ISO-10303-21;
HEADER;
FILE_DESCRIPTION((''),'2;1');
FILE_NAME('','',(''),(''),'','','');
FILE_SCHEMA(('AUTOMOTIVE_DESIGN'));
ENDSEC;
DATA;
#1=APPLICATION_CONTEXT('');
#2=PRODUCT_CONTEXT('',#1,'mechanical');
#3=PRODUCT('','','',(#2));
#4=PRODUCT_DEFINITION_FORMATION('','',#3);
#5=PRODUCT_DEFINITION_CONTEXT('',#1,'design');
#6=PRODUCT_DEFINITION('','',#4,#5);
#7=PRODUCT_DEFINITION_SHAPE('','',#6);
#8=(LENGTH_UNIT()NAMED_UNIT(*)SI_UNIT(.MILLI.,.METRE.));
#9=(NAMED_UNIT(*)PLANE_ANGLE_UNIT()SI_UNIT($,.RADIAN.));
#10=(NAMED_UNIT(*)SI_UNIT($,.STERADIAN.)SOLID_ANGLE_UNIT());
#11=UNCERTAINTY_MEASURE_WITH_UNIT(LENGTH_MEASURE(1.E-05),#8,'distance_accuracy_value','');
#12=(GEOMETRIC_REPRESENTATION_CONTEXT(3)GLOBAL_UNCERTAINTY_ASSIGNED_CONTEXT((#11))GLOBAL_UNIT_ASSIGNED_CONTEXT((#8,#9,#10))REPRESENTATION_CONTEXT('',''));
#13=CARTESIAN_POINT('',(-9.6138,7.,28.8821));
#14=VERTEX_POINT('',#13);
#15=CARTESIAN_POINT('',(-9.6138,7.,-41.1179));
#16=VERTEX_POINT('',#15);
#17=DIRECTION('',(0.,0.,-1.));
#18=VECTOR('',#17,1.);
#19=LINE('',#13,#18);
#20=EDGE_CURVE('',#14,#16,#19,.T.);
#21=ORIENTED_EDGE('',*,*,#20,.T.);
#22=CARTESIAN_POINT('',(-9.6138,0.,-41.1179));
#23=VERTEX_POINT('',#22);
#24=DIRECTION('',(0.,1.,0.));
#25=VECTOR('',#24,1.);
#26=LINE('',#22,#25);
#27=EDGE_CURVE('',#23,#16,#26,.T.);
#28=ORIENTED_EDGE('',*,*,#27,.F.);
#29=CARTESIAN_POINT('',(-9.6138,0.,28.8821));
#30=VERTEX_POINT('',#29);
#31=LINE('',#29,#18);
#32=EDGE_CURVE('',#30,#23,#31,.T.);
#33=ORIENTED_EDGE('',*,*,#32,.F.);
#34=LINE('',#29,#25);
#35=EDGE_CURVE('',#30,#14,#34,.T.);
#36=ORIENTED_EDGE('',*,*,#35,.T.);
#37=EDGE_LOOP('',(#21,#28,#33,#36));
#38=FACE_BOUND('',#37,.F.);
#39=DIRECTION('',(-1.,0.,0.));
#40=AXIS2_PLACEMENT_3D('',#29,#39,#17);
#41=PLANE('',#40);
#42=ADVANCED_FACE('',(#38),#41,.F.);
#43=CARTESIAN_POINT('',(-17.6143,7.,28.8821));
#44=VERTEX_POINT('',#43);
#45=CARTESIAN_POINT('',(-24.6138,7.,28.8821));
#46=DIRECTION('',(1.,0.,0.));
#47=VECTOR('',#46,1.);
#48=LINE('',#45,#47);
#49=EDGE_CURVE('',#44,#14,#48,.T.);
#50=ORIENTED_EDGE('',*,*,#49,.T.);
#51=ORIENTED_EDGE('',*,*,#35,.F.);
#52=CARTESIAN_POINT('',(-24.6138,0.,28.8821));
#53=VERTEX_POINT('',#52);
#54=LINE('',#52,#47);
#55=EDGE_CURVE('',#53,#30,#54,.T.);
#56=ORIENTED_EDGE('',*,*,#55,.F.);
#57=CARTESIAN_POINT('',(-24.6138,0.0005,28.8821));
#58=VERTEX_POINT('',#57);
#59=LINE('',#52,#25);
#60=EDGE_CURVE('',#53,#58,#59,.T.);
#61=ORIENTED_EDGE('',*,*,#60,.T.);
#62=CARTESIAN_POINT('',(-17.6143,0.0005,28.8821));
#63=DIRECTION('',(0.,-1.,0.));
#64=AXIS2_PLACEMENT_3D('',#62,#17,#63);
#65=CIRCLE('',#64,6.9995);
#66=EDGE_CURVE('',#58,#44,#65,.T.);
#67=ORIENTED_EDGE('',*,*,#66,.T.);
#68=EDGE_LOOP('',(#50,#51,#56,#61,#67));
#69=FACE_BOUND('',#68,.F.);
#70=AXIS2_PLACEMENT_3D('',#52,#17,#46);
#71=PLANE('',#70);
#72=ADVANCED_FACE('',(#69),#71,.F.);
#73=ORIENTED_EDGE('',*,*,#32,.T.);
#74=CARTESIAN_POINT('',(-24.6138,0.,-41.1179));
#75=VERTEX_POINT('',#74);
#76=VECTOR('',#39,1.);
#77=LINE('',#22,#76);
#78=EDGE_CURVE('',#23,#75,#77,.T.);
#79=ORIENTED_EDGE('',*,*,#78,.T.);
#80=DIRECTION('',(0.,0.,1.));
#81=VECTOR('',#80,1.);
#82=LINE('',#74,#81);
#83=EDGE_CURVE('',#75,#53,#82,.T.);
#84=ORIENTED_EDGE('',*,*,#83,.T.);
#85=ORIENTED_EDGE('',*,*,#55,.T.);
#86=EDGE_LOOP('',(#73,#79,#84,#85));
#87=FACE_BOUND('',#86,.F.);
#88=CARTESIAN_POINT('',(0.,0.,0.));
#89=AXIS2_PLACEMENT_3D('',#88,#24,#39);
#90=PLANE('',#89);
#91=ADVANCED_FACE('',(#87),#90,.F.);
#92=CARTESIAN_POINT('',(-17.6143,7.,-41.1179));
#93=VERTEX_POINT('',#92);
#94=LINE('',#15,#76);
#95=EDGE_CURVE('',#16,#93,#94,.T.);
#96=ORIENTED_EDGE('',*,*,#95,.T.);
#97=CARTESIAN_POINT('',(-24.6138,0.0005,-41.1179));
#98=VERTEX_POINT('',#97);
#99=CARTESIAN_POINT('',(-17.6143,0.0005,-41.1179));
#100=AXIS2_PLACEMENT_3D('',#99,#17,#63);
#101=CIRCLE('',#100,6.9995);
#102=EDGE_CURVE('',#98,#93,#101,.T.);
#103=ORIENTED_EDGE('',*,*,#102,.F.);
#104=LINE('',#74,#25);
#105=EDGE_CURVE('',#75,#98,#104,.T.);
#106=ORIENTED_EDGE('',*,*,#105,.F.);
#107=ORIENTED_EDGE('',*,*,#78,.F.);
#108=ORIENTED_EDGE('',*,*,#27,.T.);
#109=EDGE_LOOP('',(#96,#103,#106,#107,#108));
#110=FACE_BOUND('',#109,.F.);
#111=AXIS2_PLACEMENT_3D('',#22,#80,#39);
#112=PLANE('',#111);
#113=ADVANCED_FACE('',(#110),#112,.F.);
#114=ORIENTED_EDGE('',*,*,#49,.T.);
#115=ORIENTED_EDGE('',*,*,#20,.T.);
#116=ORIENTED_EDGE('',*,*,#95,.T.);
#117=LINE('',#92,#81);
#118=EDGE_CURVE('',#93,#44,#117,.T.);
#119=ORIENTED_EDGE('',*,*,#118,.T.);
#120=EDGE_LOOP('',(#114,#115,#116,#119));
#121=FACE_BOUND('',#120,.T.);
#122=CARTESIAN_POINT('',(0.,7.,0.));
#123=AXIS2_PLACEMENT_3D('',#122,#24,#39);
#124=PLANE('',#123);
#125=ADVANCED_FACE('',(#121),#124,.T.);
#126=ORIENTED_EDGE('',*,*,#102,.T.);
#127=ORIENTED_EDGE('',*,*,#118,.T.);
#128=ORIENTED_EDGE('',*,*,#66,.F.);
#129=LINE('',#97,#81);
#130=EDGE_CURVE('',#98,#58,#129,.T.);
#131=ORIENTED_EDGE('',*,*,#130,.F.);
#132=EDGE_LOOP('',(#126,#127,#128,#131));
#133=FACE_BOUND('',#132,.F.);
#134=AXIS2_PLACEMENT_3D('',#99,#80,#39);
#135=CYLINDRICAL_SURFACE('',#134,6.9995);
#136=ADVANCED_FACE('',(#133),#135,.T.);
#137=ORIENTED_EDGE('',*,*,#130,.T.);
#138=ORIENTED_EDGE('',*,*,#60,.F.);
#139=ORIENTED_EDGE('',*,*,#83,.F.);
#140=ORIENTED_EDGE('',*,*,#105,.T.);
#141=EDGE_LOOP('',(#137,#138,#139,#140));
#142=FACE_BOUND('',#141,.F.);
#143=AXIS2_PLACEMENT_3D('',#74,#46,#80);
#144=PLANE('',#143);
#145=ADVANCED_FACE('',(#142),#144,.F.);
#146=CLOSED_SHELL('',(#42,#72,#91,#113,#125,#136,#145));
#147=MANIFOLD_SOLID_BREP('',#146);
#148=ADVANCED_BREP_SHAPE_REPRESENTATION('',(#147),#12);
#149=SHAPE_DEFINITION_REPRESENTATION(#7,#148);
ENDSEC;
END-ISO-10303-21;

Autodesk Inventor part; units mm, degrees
ref_plane "YZ Plane" through (0, 0, 0) normal (1, 0, 0) x (0, 1, 0)
ref_plane "XZ Plane" through (0, 0, 0) normal (0, 1, 0) x (-1, 0, 0)
ref_plane "XY Plane" through (0, 0, 0) normal (0, 0, 1) x (1, 0, 0)
sketch "Sketch1" plane through (0, 0, 0) normal (0, 1, 0) x (-1, 0, 0)
  line L0 (24.6138, 28.8821) -> (9.6138, 28.8821)
  line L1 (9.6138, 28.8821) -> (9.6138, -41.1179)
  line L2 (9.6138, -41.1179) -> (24.6138, -41.1179)
  line L3 (24.6138, -41.1179) -> (24.6138, 28.8821)
  point P0 (0, 0)
  dimension "d0" = 70
  dimension "d1" = 15
extrude "Extrusion1" add sketch "Sketch1" along normal blind 7
fillet "Fillet1" radius 7 1 edges at (-24.6138, 7, -6.1179)
properties part number "Paper-holder-clip" material "Steel"
